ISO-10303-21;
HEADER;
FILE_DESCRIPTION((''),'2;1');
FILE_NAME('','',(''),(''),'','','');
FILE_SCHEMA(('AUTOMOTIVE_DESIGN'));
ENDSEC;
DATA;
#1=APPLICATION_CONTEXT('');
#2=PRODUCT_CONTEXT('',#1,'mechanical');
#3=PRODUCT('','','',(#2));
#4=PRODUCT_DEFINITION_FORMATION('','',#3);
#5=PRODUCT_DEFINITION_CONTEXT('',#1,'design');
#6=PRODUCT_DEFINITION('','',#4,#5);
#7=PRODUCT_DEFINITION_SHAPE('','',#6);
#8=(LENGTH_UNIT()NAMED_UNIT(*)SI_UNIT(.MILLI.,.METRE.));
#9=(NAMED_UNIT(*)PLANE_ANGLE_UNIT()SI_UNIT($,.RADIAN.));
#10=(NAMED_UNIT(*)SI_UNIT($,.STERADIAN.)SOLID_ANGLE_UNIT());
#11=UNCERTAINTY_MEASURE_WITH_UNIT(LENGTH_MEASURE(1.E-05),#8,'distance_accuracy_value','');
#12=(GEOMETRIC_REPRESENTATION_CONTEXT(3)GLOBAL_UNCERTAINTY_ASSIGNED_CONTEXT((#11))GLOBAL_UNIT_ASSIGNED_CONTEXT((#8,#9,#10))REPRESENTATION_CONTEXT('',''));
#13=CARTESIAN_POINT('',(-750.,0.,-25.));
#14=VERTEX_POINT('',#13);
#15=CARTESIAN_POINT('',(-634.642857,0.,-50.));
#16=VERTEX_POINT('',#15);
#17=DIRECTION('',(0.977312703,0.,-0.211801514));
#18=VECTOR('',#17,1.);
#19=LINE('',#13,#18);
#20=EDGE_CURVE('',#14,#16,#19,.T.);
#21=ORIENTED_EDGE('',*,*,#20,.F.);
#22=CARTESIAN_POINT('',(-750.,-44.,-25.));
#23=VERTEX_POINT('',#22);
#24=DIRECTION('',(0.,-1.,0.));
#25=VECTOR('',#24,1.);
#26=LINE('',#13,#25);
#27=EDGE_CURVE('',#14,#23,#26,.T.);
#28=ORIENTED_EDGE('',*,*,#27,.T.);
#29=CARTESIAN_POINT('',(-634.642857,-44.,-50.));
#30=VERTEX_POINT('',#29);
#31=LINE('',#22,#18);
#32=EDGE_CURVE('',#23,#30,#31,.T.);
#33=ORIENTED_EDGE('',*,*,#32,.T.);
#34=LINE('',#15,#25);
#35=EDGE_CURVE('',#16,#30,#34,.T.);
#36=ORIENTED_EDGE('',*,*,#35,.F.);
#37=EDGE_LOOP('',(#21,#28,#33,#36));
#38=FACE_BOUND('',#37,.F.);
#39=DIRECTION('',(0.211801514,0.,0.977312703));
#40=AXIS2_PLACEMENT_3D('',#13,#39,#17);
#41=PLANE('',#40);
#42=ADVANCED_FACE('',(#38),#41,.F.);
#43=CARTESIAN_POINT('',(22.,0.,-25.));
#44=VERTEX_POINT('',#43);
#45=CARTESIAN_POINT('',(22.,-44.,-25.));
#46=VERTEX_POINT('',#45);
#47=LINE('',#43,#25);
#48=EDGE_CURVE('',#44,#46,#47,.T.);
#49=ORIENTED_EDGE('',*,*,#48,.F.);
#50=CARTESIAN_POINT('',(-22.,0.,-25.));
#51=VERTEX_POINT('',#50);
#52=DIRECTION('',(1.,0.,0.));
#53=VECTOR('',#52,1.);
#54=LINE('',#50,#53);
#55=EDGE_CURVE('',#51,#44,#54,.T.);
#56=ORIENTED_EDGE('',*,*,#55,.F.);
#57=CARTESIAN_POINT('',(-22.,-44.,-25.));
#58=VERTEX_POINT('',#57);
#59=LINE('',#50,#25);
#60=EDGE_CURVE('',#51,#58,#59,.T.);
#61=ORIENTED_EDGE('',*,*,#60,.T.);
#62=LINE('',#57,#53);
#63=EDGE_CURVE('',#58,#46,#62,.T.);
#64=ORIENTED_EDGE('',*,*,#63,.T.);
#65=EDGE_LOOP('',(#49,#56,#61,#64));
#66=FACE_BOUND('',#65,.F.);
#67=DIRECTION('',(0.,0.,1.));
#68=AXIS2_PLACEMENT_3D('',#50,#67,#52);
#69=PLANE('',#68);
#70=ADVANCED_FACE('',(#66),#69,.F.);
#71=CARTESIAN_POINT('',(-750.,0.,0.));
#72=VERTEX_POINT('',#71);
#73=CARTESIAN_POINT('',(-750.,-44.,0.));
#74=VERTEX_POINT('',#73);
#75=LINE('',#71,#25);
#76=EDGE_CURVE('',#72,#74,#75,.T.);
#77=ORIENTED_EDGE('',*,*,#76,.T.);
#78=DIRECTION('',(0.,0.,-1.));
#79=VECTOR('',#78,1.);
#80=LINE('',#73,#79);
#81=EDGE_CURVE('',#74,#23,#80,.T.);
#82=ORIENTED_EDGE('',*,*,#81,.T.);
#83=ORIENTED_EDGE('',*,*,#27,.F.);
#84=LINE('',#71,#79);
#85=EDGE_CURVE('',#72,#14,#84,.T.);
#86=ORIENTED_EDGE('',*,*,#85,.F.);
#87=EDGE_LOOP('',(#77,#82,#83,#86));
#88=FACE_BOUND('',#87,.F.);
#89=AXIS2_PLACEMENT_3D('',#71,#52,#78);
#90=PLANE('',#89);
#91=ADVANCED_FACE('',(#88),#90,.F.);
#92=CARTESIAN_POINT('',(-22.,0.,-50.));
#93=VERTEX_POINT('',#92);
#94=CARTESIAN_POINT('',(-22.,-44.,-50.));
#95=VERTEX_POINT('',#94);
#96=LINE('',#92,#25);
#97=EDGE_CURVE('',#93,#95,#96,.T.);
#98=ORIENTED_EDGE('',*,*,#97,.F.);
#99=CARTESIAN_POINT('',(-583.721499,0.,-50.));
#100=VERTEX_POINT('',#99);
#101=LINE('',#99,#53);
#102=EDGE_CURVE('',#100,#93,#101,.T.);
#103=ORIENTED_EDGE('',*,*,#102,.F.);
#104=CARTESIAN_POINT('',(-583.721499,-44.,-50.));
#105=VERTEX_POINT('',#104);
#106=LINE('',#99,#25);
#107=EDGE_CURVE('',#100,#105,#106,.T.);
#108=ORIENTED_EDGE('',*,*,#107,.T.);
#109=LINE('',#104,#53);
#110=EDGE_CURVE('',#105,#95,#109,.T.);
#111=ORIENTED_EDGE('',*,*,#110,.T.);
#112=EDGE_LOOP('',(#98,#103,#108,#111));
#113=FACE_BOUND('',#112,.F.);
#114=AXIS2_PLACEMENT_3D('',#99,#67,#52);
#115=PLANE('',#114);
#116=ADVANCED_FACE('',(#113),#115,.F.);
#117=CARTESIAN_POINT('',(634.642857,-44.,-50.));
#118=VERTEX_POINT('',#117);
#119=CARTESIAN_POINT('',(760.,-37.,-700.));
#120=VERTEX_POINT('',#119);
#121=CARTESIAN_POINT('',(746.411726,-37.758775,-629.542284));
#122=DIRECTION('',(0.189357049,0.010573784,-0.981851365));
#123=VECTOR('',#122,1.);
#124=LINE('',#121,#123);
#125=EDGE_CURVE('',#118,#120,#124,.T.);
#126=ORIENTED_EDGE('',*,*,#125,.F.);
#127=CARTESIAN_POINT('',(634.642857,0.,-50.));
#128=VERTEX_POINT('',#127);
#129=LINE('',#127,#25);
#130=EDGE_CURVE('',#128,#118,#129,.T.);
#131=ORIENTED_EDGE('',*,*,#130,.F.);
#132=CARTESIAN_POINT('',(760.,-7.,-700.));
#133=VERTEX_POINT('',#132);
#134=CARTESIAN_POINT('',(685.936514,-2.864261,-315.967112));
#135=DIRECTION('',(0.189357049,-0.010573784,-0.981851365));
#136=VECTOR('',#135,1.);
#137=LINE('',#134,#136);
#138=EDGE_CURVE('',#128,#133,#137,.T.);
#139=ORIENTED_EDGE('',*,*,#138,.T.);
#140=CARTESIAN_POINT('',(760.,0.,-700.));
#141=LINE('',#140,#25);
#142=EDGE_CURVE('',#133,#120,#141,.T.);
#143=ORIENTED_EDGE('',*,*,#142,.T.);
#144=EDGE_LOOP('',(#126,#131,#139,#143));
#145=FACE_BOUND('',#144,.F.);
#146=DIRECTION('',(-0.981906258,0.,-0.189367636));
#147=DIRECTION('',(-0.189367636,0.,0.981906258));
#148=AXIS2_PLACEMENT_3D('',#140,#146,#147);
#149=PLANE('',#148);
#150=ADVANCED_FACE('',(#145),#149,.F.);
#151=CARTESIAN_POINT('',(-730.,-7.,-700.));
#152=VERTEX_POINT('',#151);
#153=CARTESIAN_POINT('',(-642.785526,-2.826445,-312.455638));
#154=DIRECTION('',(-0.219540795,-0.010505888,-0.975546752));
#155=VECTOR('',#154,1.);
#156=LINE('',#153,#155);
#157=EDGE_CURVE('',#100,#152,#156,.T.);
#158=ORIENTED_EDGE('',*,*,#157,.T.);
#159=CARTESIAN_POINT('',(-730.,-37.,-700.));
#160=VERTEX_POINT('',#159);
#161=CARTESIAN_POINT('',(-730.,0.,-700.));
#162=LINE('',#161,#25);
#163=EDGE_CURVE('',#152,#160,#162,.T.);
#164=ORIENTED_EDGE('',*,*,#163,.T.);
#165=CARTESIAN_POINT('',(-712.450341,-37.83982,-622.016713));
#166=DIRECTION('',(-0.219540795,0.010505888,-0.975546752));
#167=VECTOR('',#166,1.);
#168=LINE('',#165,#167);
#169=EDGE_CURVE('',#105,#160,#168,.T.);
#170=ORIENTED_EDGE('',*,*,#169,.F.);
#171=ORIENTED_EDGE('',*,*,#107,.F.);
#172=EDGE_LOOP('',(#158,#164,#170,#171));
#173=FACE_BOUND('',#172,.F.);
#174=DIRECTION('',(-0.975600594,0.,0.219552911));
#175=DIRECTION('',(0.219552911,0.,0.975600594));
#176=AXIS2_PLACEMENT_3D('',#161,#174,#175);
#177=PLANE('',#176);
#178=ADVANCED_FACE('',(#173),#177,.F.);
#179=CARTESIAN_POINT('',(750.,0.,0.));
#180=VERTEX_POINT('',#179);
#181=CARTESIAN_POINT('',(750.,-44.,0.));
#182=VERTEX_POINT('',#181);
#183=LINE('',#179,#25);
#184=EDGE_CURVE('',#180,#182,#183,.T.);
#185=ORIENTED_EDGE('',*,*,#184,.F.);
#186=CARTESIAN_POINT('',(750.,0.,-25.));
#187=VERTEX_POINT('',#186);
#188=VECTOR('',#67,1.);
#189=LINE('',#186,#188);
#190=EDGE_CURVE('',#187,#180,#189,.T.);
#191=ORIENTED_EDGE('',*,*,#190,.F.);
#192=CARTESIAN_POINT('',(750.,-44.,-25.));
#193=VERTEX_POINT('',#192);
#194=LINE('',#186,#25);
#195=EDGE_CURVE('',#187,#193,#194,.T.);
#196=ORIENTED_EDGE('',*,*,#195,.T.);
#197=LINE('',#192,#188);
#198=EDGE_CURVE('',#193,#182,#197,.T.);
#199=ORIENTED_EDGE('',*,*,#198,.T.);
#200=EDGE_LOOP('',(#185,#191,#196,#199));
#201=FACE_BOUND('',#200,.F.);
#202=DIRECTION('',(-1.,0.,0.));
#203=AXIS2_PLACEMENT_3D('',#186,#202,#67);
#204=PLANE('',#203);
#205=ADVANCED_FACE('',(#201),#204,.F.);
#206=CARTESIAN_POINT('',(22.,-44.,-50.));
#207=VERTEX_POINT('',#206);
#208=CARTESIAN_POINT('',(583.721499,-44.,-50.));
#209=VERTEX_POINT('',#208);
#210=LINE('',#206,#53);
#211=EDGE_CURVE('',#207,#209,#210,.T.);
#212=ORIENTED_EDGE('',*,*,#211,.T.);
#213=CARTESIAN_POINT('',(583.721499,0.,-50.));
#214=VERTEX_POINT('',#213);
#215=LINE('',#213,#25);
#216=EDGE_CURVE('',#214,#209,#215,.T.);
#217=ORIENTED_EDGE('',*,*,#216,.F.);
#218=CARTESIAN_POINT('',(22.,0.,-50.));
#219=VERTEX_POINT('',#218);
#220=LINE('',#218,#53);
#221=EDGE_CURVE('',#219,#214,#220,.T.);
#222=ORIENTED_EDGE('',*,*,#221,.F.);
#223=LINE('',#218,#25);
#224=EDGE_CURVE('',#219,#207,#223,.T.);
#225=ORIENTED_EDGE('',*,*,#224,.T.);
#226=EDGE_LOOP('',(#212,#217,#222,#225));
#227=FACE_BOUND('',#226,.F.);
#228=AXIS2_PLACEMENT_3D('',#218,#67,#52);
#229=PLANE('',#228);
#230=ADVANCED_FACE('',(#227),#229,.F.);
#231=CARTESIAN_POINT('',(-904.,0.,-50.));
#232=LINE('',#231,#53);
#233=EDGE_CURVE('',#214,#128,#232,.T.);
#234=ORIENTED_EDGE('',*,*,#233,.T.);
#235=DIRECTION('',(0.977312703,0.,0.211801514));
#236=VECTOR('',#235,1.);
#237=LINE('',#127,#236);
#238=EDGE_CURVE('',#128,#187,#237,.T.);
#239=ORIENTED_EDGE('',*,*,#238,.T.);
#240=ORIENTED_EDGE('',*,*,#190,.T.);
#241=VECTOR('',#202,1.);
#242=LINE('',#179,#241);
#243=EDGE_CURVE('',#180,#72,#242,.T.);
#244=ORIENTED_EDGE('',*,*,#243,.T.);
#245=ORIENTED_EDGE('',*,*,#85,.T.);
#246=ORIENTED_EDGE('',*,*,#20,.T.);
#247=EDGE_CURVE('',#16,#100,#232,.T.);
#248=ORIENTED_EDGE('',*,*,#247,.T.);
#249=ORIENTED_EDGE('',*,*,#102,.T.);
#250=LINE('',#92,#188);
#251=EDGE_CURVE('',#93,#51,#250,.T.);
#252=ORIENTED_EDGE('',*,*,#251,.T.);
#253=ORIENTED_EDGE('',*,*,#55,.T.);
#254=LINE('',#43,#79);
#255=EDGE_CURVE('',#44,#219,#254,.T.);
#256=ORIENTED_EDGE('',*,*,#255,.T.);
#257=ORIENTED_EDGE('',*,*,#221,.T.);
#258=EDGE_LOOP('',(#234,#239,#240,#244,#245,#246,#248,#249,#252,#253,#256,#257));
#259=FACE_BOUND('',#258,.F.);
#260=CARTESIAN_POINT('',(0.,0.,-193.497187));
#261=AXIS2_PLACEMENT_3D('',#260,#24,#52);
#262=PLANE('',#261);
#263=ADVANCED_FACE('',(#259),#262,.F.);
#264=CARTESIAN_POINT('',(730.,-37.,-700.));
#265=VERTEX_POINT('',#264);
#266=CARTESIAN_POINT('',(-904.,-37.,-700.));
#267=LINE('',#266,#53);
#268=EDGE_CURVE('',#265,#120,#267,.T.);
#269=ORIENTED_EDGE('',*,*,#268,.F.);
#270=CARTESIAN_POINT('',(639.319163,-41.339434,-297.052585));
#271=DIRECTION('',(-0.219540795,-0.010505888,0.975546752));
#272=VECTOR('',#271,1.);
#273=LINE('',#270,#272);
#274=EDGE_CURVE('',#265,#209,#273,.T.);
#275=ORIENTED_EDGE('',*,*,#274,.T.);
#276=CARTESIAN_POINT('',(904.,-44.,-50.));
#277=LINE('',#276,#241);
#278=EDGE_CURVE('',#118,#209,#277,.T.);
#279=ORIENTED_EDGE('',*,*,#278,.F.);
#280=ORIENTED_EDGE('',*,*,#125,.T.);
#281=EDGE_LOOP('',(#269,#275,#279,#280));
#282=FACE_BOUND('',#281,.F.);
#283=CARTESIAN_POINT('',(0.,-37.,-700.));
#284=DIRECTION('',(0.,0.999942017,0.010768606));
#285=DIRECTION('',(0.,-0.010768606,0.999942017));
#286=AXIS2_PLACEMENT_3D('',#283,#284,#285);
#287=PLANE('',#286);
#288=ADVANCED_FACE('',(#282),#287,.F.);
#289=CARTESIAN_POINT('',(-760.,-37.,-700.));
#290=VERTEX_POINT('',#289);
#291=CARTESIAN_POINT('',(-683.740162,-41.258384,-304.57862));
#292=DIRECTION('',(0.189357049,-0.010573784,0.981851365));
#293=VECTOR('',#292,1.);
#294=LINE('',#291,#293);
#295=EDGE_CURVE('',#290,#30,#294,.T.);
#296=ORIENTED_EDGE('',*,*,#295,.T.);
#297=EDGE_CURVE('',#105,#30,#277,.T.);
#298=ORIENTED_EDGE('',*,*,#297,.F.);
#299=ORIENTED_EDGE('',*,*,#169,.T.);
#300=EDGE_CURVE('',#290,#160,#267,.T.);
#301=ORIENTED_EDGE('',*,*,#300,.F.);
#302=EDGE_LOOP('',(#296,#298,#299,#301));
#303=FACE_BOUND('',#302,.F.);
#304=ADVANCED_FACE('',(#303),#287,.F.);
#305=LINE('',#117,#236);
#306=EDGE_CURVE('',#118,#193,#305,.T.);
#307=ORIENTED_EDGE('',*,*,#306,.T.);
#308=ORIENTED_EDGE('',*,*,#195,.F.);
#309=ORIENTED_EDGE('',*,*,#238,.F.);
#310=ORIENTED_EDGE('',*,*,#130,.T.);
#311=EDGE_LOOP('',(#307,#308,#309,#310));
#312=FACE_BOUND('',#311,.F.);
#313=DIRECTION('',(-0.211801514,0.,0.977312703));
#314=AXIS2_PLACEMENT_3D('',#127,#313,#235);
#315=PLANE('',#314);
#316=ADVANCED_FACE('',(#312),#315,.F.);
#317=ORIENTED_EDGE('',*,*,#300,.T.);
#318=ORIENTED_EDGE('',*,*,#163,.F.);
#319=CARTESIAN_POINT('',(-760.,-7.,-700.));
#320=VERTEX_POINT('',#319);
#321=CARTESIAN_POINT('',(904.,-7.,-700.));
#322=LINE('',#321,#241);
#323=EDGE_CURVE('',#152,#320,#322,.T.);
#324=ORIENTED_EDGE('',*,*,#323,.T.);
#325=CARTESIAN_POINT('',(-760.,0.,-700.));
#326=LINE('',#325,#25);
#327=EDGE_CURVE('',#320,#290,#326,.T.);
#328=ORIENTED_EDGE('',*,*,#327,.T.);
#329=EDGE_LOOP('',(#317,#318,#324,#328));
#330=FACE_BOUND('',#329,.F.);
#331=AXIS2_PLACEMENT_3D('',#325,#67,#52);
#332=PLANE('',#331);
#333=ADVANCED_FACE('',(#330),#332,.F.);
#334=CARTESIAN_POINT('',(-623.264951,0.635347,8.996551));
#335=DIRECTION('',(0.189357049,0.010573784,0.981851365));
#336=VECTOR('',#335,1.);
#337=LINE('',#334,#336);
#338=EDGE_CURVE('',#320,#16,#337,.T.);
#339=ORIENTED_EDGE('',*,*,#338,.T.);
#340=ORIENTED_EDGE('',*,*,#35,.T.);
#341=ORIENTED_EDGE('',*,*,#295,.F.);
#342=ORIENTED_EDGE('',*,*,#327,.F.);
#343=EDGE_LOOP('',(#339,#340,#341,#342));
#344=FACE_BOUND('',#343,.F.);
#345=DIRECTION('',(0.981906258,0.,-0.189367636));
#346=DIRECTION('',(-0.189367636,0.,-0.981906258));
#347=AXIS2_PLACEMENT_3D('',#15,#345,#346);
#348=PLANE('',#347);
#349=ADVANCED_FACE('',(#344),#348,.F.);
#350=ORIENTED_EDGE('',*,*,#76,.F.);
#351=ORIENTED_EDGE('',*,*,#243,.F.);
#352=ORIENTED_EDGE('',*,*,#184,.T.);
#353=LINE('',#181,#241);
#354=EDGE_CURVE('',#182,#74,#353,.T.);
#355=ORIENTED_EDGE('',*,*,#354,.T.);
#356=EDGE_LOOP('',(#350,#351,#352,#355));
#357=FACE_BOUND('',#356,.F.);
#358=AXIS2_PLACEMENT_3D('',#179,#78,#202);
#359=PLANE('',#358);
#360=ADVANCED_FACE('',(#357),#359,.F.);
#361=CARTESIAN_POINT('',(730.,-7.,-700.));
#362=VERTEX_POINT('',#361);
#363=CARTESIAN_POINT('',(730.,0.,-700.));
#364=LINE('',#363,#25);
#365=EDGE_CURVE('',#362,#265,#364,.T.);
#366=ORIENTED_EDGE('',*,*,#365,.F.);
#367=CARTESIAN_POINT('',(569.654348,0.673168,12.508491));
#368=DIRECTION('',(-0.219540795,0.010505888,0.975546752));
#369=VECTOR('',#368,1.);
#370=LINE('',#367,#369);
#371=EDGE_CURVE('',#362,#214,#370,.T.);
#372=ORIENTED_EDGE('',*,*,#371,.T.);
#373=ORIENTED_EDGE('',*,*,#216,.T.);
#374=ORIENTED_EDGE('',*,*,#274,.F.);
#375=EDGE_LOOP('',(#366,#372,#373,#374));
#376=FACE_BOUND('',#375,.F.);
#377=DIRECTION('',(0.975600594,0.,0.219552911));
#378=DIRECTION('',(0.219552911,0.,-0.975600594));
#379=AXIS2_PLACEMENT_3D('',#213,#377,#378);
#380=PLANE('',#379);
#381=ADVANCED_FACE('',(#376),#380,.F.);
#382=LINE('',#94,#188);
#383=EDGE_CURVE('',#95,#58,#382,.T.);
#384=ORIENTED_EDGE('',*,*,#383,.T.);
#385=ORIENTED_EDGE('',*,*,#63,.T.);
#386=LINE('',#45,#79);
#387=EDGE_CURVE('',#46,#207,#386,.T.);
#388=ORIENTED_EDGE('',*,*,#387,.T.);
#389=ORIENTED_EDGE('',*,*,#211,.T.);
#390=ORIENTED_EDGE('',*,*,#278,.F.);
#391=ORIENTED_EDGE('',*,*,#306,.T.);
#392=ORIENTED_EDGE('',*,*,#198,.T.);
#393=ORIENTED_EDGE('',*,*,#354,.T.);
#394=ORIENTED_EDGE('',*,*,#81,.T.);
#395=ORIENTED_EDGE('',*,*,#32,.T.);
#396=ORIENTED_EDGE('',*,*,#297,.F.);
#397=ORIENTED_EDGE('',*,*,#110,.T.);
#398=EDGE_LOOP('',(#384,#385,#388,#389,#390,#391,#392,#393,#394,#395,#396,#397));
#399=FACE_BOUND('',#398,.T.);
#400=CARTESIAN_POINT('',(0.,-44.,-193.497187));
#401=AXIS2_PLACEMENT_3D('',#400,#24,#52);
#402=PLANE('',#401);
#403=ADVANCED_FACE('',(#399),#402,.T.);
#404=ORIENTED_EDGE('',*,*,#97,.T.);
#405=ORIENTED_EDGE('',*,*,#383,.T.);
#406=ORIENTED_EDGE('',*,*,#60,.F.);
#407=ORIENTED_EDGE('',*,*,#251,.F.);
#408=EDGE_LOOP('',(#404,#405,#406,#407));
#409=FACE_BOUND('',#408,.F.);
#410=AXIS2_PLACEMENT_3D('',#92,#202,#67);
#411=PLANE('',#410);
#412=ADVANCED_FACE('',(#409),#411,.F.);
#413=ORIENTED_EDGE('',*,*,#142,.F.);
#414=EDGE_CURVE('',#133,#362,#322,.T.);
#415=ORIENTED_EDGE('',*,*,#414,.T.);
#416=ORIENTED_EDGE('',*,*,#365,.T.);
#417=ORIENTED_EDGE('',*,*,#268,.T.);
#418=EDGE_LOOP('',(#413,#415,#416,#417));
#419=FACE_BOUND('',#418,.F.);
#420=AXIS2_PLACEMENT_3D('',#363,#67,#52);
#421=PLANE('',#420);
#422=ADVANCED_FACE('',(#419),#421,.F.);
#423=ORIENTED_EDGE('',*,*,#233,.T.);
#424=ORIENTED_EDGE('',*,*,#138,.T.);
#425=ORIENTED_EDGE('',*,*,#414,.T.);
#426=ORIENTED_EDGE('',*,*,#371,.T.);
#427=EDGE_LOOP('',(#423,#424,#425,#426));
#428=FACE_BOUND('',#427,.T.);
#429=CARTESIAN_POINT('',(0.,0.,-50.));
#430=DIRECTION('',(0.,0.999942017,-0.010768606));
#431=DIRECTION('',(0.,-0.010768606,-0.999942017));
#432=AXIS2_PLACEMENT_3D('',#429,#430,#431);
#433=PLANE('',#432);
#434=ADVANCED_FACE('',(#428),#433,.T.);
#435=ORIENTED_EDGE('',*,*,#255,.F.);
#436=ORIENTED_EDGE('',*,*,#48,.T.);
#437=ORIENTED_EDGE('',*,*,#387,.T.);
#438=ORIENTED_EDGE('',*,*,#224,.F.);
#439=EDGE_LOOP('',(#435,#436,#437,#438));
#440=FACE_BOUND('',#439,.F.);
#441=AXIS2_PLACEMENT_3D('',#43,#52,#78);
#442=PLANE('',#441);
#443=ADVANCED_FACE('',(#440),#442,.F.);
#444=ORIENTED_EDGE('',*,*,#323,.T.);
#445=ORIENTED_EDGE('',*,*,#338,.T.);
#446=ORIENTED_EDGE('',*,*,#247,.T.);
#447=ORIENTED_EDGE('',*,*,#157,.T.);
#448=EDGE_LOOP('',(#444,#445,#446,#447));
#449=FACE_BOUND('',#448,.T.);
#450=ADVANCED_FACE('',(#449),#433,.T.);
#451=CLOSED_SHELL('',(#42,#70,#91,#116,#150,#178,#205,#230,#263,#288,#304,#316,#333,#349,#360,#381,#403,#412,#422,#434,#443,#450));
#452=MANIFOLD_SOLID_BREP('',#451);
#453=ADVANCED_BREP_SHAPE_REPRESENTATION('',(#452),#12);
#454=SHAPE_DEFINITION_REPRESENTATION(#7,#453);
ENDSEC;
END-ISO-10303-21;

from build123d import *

# Parameters (mm, degrees)
F1_DEPTH = 44
F3_DEPTH = 904


with BuildPart() as f1:
    # F0 (on Front) → F1 (new body)
    with BuildSketch(Plane.XZ):
        Polygon((22, 0), (-22, 0), (-750, 0), (-750, -25), (-634.642857, -50), (-760, -700), (-730, -700), (-583.721499, -50), (-22, -50), (-22, -25), (0, -25), (22, -25), (22, -50), (583.721499, -50), (730, -700), (760, -700), (634.642857, -50), (750, -25), (750, 0), align=None)
    extrude(amount=F1_DEPTH)

    # F2 (on Right) → F3 (cut, symmetric)
    with BuildSketch(Plane.YZ):
        Polygon((0, -700), (0, -50), (-7, -700), align=None)
        Polygon((-44, -700), (-37, -700), (-44, -50), align=None)
    extrude(amount=F3_DEPTH, both=True, mode=Mode.SUBTRACT)


solid = f1.part
